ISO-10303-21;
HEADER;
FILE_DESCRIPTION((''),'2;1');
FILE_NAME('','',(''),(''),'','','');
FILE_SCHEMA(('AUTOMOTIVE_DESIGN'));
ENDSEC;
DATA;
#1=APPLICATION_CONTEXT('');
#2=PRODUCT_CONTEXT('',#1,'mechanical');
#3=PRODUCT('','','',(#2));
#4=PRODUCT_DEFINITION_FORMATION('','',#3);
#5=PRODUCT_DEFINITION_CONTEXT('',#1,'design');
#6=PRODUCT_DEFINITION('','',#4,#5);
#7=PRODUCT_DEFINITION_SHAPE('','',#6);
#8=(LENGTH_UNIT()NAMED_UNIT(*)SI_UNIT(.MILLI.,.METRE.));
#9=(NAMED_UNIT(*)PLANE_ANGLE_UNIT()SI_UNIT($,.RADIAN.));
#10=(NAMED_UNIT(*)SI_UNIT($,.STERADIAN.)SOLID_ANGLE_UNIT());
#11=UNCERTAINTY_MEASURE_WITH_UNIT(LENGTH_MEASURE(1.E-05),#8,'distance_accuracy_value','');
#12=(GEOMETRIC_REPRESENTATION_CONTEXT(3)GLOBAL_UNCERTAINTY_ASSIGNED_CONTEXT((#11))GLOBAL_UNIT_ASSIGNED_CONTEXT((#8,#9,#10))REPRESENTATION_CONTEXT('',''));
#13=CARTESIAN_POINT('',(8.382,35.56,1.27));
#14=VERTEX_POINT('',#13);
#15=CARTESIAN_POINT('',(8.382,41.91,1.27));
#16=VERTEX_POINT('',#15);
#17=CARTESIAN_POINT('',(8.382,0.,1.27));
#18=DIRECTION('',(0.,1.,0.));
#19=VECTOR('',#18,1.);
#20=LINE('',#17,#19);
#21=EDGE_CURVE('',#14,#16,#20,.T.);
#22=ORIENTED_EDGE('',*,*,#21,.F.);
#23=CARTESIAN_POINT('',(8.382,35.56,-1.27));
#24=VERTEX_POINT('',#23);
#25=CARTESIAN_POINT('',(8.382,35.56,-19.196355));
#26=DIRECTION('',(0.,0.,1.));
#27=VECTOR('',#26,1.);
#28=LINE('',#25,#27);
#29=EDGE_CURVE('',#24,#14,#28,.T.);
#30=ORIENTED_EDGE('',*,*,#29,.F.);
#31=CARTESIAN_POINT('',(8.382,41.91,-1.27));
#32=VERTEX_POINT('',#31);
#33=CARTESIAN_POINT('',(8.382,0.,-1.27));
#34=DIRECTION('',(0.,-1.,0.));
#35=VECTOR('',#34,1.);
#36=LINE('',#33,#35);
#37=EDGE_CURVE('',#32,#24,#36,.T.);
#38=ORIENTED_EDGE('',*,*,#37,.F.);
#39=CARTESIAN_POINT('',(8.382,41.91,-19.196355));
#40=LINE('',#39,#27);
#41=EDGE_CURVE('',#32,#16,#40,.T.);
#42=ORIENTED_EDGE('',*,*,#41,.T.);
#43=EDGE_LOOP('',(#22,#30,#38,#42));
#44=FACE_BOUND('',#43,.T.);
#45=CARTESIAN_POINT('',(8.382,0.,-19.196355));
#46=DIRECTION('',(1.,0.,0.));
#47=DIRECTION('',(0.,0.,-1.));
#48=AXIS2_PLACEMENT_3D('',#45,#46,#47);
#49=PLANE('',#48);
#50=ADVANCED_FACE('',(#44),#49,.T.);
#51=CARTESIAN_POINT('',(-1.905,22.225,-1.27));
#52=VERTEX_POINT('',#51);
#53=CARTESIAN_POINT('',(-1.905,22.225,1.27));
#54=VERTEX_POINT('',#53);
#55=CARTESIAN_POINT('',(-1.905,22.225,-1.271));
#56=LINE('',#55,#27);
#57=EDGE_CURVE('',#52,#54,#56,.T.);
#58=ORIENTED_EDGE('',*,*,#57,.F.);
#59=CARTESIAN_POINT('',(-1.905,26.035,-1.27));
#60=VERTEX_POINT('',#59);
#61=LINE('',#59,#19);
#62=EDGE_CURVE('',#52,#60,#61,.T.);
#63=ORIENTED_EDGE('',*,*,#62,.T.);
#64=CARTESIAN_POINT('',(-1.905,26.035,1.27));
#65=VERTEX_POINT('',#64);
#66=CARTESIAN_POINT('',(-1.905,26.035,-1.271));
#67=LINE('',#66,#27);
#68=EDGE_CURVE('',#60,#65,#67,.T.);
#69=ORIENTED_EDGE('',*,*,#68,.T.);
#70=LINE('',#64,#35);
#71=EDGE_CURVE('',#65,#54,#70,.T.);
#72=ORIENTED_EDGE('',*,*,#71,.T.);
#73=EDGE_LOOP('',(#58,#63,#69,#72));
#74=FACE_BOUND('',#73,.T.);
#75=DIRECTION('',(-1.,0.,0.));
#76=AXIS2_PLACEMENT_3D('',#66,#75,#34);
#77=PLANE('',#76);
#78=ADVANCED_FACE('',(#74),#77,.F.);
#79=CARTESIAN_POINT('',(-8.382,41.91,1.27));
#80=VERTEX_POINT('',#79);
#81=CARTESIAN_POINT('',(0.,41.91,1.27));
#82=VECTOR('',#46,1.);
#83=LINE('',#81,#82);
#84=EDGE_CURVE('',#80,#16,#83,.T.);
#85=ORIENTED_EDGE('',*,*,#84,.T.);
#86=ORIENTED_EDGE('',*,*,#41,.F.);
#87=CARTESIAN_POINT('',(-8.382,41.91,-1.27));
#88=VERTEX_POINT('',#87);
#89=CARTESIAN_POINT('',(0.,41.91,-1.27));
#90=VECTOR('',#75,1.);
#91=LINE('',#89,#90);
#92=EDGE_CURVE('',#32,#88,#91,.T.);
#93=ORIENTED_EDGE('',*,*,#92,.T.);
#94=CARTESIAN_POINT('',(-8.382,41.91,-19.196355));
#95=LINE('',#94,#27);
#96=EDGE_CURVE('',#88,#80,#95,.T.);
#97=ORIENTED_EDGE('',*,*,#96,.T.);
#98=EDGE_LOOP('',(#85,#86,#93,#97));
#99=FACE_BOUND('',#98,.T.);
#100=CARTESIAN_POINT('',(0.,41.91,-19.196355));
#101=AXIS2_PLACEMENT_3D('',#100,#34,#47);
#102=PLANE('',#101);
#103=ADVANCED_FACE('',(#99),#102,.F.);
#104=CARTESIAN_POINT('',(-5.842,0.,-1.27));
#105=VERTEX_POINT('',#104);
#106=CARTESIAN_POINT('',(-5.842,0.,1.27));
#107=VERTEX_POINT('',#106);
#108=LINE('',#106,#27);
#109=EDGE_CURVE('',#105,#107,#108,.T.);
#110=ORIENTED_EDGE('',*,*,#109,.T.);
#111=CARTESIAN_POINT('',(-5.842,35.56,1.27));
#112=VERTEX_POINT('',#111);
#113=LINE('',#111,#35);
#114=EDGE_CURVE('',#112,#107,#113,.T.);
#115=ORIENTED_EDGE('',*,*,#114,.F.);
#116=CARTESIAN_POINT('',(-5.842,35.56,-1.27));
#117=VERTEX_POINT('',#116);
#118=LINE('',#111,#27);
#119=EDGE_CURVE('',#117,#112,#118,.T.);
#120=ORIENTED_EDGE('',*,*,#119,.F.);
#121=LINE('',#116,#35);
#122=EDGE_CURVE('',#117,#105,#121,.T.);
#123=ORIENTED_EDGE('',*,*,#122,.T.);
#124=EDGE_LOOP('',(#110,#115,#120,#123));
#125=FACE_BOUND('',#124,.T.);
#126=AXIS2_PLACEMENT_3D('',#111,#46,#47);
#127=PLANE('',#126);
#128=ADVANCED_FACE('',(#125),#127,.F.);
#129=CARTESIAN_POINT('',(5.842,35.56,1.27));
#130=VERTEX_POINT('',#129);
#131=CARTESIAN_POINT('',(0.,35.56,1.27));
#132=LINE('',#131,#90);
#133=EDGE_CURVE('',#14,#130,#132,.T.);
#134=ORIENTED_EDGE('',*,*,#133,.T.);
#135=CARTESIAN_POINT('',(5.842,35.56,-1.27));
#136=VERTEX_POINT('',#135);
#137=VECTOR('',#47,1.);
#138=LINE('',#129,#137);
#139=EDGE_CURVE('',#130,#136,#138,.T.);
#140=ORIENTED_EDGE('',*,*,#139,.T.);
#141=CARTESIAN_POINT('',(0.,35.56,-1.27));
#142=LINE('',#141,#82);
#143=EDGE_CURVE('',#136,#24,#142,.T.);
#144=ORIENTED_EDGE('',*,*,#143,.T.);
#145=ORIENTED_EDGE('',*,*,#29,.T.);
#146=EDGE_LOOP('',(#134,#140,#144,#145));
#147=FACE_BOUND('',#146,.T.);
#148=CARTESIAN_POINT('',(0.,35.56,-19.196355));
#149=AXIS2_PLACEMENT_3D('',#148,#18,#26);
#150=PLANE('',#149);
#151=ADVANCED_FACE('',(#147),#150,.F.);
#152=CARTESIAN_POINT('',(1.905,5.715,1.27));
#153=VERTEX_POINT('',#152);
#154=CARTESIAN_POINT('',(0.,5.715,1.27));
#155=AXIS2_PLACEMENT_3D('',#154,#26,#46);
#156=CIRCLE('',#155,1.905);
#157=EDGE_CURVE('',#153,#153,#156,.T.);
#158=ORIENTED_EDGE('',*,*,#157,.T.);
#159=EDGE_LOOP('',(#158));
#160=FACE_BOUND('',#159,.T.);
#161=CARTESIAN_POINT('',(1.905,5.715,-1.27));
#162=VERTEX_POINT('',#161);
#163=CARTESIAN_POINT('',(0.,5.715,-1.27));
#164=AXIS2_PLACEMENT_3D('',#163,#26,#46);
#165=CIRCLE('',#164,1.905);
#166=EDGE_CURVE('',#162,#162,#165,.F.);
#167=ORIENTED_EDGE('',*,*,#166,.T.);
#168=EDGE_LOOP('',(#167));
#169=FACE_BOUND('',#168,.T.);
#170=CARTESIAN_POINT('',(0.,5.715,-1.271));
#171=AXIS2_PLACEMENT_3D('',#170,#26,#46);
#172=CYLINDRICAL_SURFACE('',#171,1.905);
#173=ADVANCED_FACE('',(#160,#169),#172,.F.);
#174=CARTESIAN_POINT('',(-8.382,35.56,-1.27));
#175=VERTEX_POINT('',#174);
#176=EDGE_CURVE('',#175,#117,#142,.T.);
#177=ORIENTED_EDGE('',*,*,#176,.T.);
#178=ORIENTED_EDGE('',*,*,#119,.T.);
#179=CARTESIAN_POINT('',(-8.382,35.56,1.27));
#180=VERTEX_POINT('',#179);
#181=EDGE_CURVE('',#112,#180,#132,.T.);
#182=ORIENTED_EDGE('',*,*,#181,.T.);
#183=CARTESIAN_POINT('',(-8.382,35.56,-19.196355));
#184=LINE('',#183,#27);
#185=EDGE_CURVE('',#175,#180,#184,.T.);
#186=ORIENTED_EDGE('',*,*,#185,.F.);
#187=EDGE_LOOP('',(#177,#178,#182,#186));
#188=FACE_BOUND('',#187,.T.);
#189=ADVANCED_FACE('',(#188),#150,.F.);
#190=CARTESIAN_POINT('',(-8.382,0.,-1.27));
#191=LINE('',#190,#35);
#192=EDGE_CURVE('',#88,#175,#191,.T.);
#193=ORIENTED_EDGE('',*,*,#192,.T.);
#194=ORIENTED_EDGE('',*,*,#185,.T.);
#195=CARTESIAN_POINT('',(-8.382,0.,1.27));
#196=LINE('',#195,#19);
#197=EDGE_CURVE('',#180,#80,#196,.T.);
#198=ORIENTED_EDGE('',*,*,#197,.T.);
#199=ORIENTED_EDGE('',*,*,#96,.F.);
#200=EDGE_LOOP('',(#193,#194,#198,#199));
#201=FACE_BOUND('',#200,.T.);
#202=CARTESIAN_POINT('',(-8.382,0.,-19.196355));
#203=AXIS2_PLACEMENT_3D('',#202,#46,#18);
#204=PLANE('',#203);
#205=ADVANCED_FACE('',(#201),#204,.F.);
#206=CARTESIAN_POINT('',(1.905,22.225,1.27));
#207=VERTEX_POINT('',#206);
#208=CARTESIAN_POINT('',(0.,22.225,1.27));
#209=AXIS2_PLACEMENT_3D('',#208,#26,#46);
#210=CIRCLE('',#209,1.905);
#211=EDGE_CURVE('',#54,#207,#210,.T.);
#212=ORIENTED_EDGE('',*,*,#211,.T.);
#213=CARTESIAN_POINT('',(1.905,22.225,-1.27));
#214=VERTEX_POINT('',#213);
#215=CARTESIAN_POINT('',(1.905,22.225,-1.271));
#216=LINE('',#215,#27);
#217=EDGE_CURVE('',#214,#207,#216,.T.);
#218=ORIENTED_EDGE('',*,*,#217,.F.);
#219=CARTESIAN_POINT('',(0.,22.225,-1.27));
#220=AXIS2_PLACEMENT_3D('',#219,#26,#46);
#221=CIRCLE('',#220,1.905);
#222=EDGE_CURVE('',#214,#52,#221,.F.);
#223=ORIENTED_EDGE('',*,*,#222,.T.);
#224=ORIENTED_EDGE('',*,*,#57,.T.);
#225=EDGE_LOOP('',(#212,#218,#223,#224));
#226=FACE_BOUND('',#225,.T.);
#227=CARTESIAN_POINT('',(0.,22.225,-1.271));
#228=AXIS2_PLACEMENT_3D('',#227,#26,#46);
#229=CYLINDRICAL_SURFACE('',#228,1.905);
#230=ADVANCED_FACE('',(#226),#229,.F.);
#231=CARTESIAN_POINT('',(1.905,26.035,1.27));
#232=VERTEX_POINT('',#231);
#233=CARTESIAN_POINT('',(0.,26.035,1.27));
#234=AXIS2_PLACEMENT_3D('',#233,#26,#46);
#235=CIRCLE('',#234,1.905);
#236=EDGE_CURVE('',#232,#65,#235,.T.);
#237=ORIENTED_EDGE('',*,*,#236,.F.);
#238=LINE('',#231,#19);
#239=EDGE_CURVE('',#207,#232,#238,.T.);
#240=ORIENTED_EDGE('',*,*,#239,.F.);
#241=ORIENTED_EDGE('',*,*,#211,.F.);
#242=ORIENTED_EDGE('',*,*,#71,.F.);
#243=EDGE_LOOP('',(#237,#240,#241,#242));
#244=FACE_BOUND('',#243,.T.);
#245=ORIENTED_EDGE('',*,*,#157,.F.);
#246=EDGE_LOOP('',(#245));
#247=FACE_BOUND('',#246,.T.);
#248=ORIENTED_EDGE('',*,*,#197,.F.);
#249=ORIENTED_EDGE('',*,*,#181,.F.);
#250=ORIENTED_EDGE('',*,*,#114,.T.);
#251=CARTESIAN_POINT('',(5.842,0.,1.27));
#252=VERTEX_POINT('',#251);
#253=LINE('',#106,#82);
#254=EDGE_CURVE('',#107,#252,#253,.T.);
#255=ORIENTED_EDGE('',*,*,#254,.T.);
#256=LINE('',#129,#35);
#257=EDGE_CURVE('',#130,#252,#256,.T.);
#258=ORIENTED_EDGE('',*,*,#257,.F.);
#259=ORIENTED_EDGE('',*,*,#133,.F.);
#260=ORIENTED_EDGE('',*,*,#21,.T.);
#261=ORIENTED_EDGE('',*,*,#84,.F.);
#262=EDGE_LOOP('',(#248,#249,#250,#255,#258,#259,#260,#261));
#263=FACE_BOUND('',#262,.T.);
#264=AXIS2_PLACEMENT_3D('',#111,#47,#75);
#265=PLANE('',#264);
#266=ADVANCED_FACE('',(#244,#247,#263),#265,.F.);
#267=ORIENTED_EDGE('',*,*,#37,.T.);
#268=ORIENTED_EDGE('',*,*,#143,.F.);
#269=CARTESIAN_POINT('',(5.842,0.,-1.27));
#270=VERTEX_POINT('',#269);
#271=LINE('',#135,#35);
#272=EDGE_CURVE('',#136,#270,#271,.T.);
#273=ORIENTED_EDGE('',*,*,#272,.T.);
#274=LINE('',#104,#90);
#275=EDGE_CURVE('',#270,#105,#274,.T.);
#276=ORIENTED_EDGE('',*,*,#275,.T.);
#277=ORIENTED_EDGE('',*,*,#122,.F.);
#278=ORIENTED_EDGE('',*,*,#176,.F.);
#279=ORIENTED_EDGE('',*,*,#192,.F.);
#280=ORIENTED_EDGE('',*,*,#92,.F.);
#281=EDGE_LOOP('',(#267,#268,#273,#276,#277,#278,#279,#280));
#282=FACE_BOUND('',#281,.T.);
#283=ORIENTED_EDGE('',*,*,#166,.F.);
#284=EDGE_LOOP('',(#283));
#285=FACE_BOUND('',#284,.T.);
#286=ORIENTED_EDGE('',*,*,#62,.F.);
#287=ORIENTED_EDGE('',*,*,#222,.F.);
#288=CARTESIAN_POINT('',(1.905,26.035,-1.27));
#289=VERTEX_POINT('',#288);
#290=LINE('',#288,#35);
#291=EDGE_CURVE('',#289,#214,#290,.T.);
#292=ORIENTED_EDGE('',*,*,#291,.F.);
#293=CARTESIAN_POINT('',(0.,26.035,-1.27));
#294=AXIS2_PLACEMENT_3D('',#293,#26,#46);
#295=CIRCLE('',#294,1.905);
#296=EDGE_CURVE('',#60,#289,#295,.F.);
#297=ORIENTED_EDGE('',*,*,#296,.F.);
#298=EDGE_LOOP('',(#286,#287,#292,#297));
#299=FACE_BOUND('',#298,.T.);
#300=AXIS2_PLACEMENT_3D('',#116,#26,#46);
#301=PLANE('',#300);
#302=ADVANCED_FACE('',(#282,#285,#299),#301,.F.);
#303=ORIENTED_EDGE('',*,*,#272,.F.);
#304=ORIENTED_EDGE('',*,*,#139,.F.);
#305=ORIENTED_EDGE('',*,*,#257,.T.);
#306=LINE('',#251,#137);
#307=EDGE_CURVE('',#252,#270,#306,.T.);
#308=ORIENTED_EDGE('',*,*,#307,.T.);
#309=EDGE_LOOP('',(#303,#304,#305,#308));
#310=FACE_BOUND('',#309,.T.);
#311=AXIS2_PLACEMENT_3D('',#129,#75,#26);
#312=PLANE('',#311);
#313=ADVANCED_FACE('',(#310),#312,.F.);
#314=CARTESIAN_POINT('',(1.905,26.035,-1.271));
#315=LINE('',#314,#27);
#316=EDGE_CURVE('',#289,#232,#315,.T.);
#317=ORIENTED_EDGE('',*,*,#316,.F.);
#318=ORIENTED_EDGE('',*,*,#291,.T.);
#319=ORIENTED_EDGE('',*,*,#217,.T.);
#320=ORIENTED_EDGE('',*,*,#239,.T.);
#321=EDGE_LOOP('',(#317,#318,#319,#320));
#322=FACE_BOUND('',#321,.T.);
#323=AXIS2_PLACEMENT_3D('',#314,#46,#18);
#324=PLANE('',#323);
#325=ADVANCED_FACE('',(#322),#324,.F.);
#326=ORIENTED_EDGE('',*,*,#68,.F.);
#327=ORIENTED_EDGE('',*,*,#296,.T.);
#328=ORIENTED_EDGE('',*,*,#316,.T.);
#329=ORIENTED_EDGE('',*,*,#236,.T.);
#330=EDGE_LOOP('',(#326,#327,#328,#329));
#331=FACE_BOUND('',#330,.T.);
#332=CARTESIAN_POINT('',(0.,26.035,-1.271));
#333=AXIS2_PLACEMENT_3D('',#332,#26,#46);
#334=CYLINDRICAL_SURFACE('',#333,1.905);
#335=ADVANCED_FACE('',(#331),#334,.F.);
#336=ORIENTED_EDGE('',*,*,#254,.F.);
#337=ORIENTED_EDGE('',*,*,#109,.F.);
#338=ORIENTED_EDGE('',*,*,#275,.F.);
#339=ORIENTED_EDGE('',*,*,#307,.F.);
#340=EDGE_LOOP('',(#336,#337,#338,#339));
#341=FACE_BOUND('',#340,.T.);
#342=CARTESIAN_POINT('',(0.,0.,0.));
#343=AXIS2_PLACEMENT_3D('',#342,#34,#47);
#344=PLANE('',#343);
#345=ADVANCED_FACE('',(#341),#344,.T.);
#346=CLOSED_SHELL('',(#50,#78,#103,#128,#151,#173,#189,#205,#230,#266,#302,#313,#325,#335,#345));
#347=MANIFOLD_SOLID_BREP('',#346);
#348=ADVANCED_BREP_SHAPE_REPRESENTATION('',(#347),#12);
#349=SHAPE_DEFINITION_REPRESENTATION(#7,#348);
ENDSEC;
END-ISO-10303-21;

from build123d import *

# Parameters (mm, degrees)
SKETCH1_W           = 11.684
SKETCH1_H           = 2.54
BOSS_EXTRUDE1_DEPTH = 35.56
BOSS_EXTRUDE2_DEPTH = 2.54
CUT_EXTRUDE1_REACH  = 4.54
SKETCH3_R           = 1.905


with BuildPart() as part:
    # Sketch1 → Boss-Extrude1 (new body)
    with BuildSketch(Plane(origin=(0, 0, 0), x_dir=(1, 0, 0), z_dir=(0, 1, 0))):
        Rectangle(SKETCH1_W, SKETCH1_H)
    extrude(amount=BOSS_EXTRUDE1_DEPTH)

    # Sketch2 → Boss-Extrude2 (add)
    with BuildSketch(Plane.XY.offset(1.27)):
        Polygon((-8.382, 35.56), (-5.842, 35.56), (5.842, 35.56), (8.382, 35.56), (8.382, 41.91), (-8.382, 41.91), align=None)
    extrude(amount=-BOSS_EXTRUDE2_DEPTH)

    # Sketch3 → Cut-Extrude1 (cut, up to next)
    with BuildSketch(Plane.XY.offset(1.27), mode=Mode.PRIVATE) as cut_extrude1_sk1:
        with Locations((0, 5.715)):
            Circle(SKETCH3_R)
    cut_extrude1_tool1 = extrude(cut_extrude1_sk1.sketch, amount=-CUT_EXTRUDE1_REACH, mode=Mode.PRIVATE) & part.part
    add(cut_extrude1_tool1.solids().sort_by_distance((0, 5.715, 1.27))[0], mode=Mode.SUBTRACT)
    # Sketch3 → Cut-Extrude1 (cut, up to next)
    with BuildSketch(Plane.XY.offset(1.27), mode=Mode.PRIVATE) as cut_extrude1_sk2:
        with BuildLine():
            Line((1.905, 26.035), (1.905, 22.225))
            ThreePointArc((1.905, 22.225), (0, 20.32), (-1.905, 22.225))
            Line((-1.905, 22.225), (-1.905, 26.035))
            ThreePointArc((-1.905, 26.035), (0, 27.94), (1.905, 26.035))
        make_face()
    cut_extrude1_tool2 = extrude(cut_extrude1_sk2.sketch, amount=-CUT_EXTRUDE1_REACH, mode=Mode.PRIVATE) & part.part
    add(cut_extrude1_tool2.solids().sort_by_distance((0, 24.13, 1.27))[0], mode=Mode.SUBTRACT)


solid = part.part
